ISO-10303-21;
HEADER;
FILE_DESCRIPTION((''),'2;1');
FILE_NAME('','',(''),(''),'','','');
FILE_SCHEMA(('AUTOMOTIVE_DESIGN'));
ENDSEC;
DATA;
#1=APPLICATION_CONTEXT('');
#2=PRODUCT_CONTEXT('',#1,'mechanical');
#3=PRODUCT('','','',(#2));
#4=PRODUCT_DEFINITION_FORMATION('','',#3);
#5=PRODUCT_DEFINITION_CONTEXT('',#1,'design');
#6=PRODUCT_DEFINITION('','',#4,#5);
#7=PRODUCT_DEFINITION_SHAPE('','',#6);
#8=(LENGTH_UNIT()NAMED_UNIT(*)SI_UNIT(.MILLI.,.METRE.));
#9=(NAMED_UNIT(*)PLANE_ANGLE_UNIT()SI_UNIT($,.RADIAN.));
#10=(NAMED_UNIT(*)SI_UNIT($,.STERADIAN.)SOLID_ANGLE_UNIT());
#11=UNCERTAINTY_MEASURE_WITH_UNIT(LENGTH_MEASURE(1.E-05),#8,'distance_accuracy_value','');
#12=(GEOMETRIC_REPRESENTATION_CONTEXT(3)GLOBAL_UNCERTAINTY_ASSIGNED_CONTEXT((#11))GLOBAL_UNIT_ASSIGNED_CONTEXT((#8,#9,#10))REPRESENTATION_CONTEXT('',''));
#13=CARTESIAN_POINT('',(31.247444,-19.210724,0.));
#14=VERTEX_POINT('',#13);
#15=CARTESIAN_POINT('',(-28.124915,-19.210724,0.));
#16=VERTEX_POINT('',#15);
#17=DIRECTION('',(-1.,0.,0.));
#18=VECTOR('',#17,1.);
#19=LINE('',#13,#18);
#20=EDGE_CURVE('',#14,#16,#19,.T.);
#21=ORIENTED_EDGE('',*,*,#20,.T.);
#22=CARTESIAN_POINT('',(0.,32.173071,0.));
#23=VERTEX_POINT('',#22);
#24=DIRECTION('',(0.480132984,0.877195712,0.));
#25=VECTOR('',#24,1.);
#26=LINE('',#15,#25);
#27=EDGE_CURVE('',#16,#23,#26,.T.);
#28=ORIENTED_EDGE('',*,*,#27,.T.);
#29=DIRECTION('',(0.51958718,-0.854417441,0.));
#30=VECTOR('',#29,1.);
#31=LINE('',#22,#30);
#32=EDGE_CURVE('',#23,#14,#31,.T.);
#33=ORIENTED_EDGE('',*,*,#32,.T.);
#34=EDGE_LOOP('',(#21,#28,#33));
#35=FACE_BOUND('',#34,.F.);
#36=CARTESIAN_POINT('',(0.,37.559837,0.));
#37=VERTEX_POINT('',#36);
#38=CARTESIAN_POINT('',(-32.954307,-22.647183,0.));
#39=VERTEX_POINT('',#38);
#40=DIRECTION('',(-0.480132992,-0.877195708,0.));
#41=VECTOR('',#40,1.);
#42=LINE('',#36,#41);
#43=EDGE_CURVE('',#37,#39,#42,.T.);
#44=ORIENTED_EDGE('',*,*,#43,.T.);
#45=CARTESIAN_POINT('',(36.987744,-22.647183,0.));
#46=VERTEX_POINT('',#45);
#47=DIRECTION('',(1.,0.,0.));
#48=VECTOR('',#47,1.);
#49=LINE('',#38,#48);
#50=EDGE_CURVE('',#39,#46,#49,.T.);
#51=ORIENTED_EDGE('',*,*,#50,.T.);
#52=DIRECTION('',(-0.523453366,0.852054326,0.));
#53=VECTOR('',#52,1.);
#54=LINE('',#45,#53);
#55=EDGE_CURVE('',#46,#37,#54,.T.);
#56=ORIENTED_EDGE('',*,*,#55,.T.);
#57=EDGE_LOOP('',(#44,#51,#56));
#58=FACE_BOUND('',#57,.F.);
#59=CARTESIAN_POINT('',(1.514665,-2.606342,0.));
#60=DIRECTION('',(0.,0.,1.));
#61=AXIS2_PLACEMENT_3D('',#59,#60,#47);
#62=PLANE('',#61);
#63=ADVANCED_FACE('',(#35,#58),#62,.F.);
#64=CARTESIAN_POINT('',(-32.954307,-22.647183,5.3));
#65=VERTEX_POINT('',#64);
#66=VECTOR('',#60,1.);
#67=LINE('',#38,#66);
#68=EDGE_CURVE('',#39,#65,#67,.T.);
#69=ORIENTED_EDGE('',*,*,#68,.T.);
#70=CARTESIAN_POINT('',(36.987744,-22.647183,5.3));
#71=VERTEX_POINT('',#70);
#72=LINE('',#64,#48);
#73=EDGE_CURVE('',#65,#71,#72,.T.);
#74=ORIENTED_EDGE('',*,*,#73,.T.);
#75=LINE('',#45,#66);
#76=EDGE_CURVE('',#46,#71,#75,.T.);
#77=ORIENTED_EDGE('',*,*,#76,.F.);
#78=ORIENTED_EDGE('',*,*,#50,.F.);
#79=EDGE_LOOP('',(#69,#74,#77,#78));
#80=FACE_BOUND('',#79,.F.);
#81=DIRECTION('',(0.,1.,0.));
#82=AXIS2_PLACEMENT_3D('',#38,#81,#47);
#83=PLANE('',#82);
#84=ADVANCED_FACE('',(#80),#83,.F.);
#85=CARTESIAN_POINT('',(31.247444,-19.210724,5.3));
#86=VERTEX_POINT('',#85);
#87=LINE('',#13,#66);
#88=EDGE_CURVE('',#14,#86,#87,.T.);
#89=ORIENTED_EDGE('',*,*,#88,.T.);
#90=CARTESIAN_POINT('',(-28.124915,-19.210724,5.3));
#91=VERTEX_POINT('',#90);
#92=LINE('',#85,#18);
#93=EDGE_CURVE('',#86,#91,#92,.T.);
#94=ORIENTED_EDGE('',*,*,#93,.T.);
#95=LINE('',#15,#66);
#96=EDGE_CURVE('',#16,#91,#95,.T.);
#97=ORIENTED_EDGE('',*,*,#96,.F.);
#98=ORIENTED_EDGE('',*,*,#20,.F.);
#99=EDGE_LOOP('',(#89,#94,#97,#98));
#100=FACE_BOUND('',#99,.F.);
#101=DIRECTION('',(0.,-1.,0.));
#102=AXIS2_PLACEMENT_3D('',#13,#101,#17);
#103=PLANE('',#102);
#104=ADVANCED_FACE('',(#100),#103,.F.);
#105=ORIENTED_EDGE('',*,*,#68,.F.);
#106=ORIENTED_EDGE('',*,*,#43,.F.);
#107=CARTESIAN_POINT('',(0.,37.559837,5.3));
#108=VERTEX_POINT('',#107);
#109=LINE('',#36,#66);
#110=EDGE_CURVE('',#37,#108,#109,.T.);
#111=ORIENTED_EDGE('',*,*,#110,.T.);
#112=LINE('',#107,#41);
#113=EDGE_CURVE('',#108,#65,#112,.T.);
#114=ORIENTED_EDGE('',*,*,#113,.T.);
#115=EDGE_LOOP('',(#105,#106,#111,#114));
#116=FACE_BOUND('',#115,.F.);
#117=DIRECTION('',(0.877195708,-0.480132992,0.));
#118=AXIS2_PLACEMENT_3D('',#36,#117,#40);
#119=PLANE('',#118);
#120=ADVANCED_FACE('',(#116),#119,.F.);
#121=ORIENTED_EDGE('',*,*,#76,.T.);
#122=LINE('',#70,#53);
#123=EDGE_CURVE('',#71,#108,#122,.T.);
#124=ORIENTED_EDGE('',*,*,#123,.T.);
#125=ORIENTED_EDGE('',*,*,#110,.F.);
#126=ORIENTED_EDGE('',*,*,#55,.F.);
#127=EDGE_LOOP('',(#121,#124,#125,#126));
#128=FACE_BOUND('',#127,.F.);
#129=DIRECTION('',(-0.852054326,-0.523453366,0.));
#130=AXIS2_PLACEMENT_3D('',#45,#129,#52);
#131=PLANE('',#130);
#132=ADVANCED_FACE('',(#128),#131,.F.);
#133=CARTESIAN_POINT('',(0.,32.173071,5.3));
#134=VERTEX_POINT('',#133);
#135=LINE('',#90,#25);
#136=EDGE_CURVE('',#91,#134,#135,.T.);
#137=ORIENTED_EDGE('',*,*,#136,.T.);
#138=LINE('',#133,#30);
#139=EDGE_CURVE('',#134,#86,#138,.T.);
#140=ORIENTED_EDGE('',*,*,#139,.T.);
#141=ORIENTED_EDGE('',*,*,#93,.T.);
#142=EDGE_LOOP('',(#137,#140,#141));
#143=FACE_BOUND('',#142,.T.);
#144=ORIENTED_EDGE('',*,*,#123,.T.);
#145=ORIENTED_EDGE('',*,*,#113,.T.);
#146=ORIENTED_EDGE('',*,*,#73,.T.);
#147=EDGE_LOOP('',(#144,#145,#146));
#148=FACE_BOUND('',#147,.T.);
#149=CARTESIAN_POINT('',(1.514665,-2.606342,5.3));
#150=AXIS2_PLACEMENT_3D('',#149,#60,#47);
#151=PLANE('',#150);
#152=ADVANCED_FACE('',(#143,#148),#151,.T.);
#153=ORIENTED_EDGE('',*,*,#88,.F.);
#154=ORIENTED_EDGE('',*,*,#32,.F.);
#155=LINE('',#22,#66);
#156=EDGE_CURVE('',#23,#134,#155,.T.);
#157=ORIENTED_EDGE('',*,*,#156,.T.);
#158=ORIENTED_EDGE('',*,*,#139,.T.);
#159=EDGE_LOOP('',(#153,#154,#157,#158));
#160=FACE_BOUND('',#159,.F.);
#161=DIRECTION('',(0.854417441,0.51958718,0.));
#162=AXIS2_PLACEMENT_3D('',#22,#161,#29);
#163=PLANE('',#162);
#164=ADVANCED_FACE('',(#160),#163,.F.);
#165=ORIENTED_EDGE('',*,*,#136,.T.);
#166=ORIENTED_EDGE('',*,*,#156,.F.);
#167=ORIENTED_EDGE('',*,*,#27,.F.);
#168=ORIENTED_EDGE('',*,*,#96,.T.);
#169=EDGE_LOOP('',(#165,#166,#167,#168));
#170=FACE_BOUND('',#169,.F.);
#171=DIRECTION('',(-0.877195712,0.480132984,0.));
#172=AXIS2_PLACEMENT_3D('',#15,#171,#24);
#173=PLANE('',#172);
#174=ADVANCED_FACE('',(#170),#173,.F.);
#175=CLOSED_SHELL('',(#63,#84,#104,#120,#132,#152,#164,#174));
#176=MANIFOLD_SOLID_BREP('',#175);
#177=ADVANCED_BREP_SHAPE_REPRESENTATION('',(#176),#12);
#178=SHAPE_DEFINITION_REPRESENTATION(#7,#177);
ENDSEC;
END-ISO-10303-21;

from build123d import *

# Parameters (mm, degrees)
F1_DEPTH = 5.3


with BuildPart() as f1:
    # F0 (on Top) → F1 (new body)
    with BuildSketch(Plane.XY):
        Polygon((36.987744, -22.647183), (0, 37.559837), (-32.954307, -22.647183), align=None)
        Polygon((31.247444, -19.210724), (0, -19.210724), (-28.124915, -19.210724), (0, 32.173071), align=None, mode=Mode.SUBTRACT)
    extrude(amount=F1_DEPTH)


solid = f1.part
